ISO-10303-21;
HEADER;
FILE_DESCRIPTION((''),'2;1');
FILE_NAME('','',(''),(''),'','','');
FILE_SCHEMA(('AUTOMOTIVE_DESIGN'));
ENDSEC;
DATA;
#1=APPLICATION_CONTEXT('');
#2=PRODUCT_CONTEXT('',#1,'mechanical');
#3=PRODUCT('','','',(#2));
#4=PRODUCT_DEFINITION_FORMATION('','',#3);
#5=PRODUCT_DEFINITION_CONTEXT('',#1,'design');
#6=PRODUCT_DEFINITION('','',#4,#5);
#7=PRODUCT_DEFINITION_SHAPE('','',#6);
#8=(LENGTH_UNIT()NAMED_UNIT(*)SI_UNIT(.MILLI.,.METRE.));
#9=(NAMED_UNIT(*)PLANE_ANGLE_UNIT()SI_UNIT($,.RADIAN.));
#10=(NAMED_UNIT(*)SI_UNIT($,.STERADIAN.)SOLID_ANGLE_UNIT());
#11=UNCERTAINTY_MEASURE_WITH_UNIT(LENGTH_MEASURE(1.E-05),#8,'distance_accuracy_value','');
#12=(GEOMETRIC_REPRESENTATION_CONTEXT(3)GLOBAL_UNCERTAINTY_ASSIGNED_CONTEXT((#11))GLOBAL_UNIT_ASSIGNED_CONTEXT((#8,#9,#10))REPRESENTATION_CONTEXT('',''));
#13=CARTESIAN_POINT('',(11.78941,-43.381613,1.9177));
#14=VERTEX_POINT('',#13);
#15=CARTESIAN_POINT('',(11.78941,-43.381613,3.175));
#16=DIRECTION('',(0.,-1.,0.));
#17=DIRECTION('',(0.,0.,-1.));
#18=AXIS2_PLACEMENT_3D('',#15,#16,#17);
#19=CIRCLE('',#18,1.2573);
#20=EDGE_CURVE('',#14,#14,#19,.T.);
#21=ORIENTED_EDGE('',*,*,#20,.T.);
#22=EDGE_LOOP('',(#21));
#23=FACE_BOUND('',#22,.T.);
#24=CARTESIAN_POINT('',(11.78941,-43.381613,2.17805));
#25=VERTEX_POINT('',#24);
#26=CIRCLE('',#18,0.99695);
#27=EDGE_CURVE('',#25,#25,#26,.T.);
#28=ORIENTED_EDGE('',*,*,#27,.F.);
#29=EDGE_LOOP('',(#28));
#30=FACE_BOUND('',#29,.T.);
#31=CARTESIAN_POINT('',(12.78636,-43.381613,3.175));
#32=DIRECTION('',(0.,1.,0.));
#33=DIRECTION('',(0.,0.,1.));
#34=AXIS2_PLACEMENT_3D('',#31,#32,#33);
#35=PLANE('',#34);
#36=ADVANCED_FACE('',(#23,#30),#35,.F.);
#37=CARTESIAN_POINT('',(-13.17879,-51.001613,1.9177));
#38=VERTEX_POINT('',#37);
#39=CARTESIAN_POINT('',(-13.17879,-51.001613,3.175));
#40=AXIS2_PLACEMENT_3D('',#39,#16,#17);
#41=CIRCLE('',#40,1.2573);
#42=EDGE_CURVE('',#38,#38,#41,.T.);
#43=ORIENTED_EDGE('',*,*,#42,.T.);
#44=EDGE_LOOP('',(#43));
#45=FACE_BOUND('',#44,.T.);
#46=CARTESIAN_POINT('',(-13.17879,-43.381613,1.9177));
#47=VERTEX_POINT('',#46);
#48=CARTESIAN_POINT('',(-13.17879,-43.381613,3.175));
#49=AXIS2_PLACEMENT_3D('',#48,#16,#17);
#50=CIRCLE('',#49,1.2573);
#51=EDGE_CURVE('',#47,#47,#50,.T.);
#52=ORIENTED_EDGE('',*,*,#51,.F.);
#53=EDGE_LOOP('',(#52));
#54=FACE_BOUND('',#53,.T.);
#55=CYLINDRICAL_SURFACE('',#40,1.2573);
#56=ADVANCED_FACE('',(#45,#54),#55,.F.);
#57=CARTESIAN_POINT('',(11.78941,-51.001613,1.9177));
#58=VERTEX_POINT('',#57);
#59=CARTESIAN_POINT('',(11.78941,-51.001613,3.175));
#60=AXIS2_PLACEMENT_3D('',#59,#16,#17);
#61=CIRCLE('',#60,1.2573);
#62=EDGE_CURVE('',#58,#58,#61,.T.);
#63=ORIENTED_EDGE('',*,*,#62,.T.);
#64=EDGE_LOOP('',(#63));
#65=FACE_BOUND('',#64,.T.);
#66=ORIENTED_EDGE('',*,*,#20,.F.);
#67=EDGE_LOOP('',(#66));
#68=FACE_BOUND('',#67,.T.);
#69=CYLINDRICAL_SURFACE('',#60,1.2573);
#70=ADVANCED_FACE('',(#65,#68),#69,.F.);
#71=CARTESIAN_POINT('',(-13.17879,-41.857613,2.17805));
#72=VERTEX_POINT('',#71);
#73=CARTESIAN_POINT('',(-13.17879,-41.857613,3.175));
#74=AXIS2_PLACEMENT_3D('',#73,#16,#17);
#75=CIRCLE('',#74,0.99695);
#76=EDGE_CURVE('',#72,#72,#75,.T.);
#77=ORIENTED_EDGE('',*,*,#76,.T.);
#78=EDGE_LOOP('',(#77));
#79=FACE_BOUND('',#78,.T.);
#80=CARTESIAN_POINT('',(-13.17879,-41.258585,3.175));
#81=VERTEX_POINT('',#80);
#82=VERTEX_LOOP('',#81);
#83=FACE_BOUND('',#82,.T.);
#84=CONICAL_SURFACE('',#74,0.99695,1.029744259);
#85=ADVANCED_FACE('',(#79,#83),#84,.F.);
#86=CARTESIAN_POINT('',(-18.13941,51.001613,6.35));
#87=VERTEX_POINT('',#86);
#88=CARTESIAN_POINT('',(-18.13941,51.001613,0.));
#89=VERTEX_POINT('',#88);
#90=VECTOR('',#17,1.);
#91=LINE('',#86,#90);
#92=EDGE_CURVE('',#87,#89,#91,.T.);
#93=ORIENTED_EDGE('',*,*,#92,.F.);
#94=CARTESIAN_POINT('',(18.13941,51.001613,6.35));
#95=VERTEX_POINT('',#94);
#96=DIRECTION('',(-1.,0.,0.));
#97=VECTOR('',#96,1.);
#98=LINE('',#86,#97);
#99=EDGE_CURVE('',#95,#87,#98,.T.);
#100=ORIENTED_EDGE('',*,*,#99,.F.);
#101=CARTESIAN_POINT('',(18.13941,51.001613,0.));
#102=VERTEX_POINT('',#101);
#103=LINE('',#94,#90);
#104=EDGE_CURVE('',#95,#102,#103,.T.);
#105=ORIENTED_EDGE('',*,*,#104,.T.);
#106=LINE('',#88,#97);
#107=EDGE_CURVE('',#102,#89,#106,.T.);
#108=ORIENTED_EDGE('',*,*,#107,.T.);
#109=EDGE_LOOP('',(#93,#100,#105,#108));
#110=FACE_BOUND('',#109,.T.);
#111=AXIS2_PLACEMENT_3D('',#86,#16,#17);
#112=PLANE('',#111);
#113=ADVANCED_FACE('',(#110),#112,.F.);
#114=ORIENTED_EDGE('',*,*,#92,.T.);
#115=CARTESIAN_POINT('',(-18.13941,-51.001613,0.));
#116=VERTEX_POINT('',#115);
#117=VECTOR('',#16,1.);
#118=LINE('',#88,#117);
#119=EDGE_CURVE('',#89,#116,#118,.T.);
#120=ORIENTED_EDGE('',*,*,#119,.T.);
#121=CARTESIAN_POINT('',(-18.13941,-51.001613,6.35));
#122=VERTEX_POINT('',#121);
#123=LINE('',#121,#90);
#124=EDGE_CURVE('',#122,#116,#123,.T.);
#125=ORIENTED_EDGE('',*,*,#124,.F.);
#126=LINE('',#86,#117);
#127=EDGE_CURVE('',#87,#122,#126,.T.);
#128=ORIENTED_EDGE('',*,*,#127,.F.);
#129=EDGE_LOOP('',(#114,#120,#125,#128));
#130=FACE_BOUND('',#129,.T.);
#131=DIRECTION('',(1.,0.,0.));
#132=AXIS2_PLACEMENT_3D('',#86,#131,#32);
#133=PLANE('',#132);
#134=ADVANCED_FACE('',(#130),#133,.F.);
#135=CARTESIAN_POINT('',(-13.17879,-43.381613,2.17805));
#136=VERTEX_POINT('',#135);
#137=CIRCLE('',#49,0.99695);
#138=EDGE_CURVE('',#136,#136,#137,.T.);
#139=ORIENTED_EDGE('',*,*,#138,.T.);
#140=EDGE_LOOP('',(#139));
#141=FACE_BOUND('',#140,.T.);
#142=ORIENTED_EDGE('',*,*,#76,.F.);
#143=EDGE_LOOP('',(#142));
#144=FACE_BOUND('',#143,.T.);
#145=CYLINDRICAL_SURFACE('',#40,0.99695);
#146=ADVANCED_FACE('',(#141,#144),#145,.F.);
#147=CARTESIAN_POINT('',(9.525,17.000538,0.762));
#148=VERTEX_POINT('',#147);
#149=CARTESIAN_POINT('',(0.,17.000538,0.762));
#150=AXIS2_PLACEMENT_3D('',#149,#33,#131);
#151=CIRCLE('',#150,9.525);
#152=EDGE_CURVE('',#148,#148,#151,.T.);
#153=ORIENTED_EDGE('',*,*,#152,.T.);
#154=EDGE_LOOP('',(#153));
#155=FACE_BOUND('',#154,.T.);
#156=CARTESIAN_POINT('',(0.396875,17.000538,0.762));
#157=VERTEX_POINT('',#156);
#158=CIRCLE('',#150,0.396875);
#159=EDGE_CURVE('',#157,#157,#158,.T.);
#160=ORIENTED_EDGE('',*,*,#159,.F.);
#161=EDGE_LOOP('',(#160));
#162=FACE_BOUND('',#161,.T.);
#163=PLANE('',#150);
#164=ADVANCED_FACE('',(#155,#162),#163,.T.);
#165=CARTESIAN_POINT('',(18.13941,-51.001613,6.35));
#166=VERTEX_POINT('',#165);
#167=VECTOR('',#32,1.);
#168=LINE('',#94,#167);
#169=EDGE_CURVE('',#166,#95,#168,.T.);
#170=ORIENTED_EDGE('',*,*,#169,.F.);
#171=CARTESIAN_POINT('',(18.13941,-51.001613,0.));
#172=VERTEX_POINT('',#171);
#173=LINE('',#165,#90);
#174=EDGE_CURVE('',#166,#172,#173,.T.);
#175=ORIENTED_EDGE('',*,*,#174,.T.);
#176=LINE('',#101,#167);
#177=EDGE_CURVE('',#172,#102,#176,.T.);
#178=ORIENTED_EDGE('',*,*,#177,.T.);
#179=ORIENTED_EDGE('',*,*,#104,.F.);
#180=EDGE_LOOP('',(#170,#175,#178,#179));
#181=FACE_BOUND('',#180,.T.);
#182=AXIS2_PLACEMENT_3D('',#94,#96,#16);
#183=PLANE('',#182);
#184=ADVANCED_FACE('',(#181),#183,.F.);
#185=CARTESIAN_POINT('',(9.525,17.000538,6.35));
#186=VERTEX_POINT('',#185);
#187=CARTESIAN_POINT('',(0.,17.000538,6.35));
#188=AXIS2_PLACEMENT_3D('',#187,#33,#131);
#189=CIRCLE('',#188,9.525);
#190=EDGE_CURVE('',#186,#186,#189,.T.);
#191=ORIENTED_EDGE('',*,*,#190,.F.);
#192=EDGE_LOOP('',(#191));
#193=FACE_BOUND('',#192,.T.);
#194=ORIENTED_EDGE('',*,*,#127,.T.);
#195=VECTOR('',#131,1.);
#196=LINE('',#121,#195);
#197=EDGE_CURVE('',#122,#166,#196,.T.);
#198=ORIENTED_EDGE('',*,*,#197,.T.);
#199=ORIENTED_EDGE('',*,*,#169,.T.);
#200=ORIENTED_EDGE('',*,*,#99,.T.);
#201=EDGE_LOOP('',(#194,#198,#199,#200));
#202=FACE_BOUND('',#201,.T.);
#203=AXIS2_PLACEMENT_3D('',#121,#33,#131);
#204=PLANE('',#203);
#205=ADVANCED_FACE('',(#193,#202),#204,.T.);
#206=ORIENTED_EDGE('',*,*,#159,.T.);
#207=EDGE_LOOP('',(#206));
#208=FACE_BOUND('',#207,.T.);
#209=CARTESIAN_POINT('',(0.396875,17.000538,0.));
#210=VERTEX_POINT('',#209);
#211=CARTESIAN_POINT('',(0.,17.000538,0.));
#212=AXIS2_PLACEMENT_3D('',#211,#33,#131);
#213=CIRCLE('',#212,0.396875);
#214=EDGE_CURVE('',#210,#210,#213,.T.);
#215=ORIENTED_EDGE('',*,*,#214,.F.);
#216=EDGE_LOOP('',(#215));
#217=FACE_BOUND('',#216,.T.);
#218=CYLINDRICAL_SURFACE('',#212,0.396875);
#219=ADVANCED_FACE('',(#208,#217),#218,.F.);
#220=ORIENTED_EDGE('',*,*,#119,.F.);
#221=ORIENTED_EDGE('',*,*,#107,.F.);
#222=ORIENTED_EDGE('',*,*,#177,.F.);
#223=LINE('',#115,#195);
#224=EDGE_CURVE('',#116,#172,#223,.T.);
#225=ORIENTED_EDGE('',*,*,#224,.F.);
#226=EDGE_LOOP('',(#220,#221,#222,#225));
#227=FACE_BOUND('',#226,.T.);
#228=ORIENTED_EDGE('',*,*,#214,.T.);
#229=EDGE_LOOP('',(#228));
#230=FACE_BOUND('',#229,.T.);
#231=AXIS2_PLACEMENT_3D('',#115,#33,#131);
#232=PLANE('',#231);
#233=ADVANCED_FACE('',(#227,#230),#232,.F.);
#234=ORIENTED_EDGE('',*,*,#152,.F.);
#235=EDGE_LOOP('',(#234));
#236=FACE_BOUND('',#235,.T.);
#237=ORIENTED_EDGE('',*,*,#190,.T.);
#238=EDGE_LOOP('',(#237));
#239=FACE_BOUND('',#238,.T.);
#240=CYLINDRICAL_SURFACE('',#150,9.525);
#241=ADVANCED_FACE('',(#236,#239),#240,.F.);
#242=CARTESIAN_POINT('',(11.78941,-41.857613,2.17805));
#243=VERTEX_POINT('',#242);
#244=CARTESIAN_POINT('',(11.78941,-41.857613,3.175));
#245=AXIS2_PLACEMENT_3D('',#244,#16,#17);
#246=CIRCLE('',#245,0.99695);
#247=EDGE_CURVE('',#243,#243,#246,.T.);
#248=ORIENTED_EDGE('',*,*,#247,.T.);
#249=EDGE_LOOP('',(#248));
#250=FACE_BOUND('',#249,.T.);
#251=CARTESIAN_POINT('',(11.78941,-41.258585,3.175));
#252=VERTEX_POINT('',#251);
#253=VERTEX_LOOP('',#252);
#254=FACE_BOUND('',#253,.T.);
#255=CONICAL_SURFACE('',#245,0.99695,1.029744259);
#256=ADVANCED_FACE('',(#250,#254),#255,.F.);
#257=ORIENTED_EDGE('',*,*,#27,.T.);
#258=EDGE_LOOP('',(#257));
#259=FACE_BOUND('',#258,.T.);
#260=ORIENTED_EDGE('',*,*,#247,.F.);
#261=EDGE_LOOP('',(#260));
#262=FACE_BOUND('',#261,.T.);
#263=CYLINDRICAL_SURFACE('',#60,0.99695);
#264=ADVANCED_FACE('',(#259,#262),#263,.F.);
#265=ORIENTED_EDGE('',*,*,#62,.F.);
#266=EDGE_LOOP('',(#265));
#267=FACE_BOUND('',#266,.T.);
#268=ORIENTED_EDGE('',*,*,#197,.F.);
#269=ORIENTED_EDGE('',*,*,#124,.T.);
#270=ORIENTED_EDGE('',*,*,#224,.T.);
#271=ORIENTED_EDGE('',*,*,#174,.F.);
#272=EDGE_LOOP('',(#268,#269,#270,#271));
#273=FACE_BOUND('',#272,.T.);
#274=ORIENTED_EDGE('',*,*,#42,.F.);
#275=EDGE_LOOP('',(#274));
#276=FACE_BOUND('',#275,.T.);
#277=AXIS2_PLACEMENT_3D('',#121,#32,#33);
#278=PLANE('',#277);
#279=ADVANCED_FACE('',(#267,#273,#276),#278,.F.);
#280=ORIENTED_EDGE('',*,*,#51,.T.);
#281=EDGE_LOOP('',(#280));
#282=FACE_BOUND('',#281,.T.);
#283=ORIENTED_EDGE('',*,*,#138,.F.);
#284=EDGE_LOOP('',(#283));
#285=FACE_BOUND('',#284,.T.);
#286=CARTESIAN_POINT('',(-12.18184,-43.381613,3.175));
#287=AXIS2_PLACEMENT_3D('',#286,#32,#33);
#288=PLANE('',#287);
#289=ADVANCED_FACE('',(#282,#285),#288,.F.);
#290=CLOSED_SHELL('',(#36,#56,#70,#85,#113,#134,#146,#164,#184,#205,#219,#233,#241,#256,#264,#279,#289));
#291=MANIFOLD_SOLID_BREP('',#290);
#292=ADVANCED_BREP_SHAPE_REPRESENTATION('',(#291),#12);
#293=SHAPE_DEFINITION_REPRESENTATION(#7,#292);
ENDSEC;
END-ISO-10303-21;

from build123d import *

# Parameters (mm, degrees)
SKETCH1_W                       = 36.27882
SKETCH1_H                       = 102.003225
EXTRUDE1_DEPTH                  = 6.35
SKETCH2_R                       = 9.525
EXTRUDE2_DEPTH                  = 5.588
SKETCH3_R                       = 0.396875
EXTRUDE3_DEPTH                  = 55.419007863
F_3_48_TAPPED_HOLE1_D           = 1.9939
F_3_48_TAPPED_HOLE1_DEPTH       = 9.144
F_3_48_TAPPED_HOLE1_CBORE_D     = 2.5146
F_3_48_TAPPED_HOLE1_CBORE_DEPTH = 7.62
F_3_48_TAPPED_HOLE1_TIP         = 0.599027994


with BuildPart() as part:
    # Sketch1 → Extrude1 (new body)
    with BuildSketch(Plane.XY):
        Rectangle(SKETCH1_W, SKETCH1_H)
    extrude(amount=EXTRUDE1_DEPTH)

    # Sketch2 → Extrude2 (cut)
    with BuildSketch(Plane.XY.offset(6.35)):
        with Locations((0, 17.0005375)):
            Circle(SKETCH2_R)
    extrude(amount=-EXTRUDE2_DEPTH, mode=Mode.SUBTRACT)

    # Sketch3 → Extrude3 (cut, through all)
    with BuildSketch(Plane.XY.offset(0.762)):
        with Locations((0, 17.0005375)):
            Circle(SKETCH3_R)
    extrude(amount=-EXTRUDE3_DEPTH, mode=Mode.SUBTRACT)

    # #3-48 Tapped Hole1
    with Locations(Plane(origin=(-14.071004552, -51.0016125, -59.648711207), x_dir=(0, 0, -1), z_dir=(0, -1, 0))):
        with Locations((-62.823711207, 25.860414552), (-62.823711207, 0.892214552)):
            CounterBoreHole(F_3_48_TAPPED_HOLE1_D / 2, F_3_48_TAPPED_HOLE1_CBORE_D / 2, F_3_48_TAPPED_HOLE1_CBORE_DEPTH, depth=F_3_48_TAPPED_HOLE1_DEPTH)
            with Locations((0, 0, -(F_3_48_TAPPED_HOLE1_DEPTH + F_3_48_TAPPED_HOLE1_TIP / 2))):  # 118° drill point
                Cone(0, F_3_48_TAPPED_HOLE1_D / 2, F_3_48_TAPPED_HOLE1_TIP, mode=Mode.SUBTRACT)


solid = part.part
